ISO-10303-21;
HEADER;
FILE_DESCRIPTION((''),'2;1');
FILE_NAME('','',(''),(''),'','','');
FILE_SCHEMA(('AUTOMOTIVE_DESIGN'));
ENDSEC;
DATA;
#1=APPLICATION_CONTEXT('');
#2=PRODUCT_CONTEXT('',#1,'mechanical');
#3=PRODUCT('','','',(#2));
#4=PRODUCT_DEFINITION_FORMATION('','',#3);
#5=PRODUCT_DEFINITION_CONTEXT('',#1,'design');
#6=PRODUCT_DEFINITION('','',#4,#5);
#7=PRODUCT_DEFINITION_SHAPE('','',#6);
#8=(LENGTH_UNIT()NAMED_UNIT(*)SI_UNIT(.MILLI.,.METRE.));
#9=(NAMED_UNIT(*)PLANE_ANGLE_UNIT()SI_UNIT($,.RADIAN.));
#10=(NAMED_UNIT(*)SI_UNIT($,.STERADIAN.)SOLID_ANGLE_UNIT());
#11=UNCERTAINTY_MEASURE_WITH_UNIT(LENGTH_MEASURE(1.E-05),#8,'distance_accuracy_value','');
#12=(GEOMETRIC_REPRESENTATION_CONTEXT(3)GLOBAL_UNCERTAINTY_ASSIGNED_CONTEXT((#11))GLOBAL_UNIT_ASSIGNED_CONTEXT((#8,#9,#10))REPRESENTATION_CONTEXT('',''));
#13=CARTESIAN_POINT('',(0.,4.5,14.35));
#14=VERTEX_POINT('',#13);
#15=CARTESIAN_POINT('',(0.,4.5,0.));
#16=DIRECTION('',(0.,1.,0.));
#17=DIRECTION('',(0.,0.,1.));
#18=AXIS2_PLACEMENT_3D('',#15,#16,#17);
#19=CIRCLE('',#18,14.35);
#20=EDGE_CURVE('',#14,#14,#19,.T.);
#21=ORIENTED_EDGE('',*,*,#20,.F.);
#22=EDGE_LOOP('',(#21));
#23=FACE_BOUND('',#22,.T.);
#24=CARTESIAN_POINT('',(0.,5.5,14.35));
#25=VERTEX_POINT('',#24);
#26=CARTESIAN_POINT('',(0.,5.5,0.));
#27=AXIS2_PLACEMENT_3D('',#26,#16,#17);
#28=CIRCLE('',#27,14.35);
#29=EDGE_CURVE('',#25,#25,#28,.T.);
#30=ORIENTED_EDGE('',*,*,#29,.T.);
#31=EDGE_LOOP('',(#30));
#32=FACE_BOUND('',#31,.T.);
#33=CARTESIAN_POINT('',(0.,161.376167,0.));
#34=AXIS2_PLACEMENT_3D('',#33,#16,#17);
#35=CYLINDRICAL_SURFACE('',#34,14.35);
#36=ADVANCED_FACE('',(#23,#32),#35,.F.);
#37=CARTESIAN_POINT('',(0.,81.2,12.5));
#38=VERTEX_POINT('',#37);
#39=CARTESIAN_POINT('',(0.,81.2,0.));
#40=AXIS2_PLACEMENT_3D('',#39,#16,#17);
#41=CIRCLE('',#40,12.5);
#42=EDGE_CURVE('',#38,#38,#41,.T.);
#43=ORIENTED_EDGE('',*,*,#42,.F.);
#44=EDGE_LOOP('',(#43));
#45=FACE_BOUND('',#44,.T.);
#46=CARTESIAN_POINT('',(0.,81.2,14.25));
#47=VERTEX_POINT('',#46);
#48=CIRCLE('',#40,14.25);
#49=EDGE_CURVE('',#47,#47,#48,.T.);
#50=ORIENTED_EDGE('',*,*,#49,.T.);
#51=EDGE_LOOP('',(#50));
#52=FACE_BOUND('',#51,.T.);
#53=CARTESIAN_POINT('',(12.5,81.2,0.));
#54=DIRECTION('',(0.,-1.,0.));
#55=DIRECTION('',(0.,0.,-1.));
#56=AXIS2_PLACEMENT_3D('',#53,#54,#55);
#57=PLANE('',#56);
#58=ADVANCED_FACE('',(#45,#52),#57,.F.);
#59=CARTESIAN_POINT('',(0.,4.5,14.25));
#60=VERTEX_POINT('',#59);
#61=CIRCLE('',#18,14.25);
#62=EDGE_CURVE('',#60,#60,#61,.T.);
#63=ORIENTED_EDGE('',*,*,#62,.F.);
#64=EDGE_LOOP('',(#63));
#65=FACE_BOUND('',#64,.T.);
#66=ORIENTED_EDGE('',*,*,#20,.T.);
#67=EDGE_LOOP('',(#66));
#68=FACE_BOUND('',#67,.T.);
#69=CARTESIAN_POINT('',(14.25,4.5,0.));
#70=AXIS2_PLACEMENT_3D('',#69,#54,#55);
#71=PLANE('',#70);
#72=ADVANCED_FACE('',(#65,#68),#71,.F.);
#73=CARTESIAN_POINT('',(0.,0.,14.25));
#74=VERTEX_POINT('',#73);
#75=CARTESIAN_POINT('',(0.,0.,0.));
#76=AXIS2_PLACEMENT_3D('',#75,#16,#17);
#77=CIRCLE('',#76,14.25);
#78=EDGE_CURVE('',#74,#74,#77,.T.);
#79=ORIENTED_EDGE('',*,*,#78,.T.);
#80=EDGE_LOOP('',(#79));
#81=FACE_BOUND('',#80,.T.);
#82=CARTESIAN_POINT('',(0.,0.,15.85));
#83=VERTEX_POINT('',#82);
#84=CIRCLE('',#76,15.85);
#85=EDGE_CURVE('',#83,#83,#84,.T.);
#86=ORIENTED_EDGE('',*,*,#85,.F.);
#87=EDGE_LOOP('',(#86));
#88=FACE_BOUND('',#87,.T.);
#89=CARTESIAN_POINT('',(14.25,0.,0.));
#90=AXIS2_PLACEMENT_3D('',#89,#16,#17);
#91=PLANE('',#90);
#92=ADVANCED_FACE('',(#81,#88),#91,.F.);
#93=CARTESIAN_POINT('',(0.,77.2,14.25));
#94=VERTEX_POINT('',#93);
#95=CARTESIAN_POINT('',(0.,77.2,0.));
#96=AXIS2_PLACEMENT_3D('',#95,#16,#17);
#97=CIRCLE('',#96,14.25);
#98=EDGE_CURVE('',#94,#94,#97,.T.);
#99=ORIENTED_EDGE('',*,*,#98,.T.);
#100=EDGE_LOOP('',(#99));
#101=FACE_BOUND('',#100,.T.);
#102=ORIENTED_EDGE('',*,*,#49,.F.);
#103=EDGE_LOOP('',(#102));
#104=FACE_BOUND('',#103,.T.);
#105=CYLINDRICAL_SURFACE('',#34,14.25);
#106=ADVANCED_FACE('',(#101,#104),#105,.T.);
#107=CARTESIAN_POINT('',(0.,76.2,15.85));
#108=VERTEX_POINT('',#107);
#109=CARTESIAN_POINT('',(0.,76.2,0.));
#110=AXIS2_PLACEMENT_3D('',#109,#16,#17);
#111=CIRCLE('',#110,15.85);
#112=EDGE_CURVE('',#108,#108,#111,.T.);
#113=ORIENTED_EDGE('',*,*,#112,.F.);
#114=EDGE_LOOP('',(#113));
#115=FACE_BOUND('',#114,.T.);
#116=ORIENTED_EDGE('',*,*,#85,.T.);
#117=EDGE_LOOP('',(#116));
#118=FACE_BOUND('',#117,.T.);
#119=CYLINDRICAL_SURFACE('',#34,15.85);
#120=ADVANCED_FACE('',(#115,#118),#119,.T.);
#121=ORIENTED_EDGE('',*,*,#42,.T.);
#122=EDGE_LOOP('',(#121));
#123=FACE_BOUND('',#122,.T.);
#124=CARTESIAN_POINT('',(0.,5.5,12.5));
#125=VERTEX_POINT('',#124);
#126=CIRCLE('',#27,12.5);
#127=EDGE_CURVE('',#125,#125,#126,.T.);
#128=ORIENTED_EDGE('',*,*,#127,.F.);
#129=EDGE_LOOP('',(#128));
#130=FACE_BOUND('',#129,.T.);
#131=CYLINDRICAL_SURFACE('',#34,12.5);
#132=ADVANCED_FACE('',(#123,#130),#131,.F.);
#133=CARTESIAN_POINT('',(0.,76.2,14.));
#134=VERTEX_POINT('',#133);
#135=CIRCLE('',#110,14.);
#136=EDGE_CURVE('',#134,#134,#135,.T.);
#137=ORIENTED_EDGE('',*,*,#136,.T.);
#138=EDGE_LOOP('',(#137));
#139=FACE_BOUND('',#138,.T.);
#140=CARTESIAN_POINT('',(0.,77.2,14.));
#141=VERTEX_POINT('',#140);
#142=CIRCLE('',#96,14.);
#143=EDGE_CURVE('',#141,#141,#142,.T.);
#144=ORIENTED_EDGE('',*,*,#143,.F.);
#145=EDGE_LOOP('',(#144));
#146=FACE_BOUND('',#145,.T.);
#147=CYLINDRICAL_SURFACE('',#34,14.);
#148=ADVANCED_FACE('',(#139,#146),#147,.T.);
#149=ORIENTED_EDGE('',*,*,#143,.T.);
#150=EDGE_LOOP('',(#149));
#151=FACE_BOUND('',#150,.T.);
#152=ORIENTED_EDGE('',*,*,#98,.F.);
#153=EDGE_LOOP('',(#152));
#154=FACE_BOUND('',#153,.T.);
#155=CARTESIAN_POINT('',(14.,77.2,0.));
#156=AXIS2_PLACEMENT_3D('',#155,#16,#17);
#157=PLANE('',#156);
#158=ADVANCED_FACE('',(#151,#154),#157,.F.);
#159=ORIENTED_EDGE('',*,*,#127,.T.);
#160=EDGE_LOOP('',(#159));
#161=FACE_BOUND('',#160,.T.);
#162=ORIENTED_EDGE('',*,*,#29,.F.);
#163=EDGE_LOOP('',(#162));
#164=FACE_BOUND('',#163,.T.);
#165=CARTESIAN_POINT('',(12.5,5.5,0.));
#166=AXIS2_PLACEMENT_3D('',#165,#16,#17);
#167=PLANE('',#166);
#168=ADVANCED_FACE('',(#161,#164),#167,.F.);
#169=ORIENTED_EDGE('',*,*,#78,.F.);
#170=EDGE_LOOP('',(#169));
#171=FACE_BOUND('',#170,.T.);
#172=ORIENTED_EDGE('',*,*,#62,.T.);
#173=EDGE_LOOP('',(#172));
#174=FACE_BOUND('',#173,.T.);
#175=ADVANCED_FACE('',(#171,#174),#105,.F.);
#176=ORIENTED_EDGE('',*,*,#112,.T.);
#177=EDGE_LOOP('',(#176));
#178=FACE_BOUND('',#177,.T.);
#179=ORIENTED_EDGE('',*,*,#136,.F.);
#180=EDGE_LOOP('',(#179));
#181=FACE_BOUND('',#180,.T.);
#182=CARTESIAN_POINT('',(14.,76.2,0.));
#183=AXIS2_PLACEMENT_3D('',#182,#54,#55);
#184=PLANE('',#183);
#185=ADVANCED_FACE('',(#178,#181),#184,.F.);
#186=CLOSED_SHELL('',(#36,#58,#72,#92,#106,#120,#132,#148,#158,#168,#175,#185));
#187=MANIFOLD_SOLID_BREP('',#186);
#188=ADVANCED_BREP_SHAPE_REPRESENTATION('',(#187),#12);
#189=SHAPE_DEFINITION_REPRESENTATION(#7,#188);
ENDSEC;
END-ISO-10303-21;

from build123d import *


with BuildPart() as part:
    # 草图1 → 旋转1 (revolve)
    with BuildSketch(Plane.XY, mode=Mode.PRIVATE) as revolve_1_sk:
        Polygon((14.25, 0), (14.25, 4.5), (14.35, 4.5), (14.35, 5.5), (12.5, 5.5), (12.5, 81.2), (14.25, 81.2), (14.25, 77.2), (14, 77.2), (14, 76.2), (15.85, 76.2), (15.85, 0), align=None)
    revolve(revolve_1_sk.sketch.rotate(Axis((0, 161.376166943, 0), (0, -1, 0)), 90), axis=Axis((0, 161.376166943, 0), (0, -1, 0)))  # turned: the seam where the file's is


solid = part.part
